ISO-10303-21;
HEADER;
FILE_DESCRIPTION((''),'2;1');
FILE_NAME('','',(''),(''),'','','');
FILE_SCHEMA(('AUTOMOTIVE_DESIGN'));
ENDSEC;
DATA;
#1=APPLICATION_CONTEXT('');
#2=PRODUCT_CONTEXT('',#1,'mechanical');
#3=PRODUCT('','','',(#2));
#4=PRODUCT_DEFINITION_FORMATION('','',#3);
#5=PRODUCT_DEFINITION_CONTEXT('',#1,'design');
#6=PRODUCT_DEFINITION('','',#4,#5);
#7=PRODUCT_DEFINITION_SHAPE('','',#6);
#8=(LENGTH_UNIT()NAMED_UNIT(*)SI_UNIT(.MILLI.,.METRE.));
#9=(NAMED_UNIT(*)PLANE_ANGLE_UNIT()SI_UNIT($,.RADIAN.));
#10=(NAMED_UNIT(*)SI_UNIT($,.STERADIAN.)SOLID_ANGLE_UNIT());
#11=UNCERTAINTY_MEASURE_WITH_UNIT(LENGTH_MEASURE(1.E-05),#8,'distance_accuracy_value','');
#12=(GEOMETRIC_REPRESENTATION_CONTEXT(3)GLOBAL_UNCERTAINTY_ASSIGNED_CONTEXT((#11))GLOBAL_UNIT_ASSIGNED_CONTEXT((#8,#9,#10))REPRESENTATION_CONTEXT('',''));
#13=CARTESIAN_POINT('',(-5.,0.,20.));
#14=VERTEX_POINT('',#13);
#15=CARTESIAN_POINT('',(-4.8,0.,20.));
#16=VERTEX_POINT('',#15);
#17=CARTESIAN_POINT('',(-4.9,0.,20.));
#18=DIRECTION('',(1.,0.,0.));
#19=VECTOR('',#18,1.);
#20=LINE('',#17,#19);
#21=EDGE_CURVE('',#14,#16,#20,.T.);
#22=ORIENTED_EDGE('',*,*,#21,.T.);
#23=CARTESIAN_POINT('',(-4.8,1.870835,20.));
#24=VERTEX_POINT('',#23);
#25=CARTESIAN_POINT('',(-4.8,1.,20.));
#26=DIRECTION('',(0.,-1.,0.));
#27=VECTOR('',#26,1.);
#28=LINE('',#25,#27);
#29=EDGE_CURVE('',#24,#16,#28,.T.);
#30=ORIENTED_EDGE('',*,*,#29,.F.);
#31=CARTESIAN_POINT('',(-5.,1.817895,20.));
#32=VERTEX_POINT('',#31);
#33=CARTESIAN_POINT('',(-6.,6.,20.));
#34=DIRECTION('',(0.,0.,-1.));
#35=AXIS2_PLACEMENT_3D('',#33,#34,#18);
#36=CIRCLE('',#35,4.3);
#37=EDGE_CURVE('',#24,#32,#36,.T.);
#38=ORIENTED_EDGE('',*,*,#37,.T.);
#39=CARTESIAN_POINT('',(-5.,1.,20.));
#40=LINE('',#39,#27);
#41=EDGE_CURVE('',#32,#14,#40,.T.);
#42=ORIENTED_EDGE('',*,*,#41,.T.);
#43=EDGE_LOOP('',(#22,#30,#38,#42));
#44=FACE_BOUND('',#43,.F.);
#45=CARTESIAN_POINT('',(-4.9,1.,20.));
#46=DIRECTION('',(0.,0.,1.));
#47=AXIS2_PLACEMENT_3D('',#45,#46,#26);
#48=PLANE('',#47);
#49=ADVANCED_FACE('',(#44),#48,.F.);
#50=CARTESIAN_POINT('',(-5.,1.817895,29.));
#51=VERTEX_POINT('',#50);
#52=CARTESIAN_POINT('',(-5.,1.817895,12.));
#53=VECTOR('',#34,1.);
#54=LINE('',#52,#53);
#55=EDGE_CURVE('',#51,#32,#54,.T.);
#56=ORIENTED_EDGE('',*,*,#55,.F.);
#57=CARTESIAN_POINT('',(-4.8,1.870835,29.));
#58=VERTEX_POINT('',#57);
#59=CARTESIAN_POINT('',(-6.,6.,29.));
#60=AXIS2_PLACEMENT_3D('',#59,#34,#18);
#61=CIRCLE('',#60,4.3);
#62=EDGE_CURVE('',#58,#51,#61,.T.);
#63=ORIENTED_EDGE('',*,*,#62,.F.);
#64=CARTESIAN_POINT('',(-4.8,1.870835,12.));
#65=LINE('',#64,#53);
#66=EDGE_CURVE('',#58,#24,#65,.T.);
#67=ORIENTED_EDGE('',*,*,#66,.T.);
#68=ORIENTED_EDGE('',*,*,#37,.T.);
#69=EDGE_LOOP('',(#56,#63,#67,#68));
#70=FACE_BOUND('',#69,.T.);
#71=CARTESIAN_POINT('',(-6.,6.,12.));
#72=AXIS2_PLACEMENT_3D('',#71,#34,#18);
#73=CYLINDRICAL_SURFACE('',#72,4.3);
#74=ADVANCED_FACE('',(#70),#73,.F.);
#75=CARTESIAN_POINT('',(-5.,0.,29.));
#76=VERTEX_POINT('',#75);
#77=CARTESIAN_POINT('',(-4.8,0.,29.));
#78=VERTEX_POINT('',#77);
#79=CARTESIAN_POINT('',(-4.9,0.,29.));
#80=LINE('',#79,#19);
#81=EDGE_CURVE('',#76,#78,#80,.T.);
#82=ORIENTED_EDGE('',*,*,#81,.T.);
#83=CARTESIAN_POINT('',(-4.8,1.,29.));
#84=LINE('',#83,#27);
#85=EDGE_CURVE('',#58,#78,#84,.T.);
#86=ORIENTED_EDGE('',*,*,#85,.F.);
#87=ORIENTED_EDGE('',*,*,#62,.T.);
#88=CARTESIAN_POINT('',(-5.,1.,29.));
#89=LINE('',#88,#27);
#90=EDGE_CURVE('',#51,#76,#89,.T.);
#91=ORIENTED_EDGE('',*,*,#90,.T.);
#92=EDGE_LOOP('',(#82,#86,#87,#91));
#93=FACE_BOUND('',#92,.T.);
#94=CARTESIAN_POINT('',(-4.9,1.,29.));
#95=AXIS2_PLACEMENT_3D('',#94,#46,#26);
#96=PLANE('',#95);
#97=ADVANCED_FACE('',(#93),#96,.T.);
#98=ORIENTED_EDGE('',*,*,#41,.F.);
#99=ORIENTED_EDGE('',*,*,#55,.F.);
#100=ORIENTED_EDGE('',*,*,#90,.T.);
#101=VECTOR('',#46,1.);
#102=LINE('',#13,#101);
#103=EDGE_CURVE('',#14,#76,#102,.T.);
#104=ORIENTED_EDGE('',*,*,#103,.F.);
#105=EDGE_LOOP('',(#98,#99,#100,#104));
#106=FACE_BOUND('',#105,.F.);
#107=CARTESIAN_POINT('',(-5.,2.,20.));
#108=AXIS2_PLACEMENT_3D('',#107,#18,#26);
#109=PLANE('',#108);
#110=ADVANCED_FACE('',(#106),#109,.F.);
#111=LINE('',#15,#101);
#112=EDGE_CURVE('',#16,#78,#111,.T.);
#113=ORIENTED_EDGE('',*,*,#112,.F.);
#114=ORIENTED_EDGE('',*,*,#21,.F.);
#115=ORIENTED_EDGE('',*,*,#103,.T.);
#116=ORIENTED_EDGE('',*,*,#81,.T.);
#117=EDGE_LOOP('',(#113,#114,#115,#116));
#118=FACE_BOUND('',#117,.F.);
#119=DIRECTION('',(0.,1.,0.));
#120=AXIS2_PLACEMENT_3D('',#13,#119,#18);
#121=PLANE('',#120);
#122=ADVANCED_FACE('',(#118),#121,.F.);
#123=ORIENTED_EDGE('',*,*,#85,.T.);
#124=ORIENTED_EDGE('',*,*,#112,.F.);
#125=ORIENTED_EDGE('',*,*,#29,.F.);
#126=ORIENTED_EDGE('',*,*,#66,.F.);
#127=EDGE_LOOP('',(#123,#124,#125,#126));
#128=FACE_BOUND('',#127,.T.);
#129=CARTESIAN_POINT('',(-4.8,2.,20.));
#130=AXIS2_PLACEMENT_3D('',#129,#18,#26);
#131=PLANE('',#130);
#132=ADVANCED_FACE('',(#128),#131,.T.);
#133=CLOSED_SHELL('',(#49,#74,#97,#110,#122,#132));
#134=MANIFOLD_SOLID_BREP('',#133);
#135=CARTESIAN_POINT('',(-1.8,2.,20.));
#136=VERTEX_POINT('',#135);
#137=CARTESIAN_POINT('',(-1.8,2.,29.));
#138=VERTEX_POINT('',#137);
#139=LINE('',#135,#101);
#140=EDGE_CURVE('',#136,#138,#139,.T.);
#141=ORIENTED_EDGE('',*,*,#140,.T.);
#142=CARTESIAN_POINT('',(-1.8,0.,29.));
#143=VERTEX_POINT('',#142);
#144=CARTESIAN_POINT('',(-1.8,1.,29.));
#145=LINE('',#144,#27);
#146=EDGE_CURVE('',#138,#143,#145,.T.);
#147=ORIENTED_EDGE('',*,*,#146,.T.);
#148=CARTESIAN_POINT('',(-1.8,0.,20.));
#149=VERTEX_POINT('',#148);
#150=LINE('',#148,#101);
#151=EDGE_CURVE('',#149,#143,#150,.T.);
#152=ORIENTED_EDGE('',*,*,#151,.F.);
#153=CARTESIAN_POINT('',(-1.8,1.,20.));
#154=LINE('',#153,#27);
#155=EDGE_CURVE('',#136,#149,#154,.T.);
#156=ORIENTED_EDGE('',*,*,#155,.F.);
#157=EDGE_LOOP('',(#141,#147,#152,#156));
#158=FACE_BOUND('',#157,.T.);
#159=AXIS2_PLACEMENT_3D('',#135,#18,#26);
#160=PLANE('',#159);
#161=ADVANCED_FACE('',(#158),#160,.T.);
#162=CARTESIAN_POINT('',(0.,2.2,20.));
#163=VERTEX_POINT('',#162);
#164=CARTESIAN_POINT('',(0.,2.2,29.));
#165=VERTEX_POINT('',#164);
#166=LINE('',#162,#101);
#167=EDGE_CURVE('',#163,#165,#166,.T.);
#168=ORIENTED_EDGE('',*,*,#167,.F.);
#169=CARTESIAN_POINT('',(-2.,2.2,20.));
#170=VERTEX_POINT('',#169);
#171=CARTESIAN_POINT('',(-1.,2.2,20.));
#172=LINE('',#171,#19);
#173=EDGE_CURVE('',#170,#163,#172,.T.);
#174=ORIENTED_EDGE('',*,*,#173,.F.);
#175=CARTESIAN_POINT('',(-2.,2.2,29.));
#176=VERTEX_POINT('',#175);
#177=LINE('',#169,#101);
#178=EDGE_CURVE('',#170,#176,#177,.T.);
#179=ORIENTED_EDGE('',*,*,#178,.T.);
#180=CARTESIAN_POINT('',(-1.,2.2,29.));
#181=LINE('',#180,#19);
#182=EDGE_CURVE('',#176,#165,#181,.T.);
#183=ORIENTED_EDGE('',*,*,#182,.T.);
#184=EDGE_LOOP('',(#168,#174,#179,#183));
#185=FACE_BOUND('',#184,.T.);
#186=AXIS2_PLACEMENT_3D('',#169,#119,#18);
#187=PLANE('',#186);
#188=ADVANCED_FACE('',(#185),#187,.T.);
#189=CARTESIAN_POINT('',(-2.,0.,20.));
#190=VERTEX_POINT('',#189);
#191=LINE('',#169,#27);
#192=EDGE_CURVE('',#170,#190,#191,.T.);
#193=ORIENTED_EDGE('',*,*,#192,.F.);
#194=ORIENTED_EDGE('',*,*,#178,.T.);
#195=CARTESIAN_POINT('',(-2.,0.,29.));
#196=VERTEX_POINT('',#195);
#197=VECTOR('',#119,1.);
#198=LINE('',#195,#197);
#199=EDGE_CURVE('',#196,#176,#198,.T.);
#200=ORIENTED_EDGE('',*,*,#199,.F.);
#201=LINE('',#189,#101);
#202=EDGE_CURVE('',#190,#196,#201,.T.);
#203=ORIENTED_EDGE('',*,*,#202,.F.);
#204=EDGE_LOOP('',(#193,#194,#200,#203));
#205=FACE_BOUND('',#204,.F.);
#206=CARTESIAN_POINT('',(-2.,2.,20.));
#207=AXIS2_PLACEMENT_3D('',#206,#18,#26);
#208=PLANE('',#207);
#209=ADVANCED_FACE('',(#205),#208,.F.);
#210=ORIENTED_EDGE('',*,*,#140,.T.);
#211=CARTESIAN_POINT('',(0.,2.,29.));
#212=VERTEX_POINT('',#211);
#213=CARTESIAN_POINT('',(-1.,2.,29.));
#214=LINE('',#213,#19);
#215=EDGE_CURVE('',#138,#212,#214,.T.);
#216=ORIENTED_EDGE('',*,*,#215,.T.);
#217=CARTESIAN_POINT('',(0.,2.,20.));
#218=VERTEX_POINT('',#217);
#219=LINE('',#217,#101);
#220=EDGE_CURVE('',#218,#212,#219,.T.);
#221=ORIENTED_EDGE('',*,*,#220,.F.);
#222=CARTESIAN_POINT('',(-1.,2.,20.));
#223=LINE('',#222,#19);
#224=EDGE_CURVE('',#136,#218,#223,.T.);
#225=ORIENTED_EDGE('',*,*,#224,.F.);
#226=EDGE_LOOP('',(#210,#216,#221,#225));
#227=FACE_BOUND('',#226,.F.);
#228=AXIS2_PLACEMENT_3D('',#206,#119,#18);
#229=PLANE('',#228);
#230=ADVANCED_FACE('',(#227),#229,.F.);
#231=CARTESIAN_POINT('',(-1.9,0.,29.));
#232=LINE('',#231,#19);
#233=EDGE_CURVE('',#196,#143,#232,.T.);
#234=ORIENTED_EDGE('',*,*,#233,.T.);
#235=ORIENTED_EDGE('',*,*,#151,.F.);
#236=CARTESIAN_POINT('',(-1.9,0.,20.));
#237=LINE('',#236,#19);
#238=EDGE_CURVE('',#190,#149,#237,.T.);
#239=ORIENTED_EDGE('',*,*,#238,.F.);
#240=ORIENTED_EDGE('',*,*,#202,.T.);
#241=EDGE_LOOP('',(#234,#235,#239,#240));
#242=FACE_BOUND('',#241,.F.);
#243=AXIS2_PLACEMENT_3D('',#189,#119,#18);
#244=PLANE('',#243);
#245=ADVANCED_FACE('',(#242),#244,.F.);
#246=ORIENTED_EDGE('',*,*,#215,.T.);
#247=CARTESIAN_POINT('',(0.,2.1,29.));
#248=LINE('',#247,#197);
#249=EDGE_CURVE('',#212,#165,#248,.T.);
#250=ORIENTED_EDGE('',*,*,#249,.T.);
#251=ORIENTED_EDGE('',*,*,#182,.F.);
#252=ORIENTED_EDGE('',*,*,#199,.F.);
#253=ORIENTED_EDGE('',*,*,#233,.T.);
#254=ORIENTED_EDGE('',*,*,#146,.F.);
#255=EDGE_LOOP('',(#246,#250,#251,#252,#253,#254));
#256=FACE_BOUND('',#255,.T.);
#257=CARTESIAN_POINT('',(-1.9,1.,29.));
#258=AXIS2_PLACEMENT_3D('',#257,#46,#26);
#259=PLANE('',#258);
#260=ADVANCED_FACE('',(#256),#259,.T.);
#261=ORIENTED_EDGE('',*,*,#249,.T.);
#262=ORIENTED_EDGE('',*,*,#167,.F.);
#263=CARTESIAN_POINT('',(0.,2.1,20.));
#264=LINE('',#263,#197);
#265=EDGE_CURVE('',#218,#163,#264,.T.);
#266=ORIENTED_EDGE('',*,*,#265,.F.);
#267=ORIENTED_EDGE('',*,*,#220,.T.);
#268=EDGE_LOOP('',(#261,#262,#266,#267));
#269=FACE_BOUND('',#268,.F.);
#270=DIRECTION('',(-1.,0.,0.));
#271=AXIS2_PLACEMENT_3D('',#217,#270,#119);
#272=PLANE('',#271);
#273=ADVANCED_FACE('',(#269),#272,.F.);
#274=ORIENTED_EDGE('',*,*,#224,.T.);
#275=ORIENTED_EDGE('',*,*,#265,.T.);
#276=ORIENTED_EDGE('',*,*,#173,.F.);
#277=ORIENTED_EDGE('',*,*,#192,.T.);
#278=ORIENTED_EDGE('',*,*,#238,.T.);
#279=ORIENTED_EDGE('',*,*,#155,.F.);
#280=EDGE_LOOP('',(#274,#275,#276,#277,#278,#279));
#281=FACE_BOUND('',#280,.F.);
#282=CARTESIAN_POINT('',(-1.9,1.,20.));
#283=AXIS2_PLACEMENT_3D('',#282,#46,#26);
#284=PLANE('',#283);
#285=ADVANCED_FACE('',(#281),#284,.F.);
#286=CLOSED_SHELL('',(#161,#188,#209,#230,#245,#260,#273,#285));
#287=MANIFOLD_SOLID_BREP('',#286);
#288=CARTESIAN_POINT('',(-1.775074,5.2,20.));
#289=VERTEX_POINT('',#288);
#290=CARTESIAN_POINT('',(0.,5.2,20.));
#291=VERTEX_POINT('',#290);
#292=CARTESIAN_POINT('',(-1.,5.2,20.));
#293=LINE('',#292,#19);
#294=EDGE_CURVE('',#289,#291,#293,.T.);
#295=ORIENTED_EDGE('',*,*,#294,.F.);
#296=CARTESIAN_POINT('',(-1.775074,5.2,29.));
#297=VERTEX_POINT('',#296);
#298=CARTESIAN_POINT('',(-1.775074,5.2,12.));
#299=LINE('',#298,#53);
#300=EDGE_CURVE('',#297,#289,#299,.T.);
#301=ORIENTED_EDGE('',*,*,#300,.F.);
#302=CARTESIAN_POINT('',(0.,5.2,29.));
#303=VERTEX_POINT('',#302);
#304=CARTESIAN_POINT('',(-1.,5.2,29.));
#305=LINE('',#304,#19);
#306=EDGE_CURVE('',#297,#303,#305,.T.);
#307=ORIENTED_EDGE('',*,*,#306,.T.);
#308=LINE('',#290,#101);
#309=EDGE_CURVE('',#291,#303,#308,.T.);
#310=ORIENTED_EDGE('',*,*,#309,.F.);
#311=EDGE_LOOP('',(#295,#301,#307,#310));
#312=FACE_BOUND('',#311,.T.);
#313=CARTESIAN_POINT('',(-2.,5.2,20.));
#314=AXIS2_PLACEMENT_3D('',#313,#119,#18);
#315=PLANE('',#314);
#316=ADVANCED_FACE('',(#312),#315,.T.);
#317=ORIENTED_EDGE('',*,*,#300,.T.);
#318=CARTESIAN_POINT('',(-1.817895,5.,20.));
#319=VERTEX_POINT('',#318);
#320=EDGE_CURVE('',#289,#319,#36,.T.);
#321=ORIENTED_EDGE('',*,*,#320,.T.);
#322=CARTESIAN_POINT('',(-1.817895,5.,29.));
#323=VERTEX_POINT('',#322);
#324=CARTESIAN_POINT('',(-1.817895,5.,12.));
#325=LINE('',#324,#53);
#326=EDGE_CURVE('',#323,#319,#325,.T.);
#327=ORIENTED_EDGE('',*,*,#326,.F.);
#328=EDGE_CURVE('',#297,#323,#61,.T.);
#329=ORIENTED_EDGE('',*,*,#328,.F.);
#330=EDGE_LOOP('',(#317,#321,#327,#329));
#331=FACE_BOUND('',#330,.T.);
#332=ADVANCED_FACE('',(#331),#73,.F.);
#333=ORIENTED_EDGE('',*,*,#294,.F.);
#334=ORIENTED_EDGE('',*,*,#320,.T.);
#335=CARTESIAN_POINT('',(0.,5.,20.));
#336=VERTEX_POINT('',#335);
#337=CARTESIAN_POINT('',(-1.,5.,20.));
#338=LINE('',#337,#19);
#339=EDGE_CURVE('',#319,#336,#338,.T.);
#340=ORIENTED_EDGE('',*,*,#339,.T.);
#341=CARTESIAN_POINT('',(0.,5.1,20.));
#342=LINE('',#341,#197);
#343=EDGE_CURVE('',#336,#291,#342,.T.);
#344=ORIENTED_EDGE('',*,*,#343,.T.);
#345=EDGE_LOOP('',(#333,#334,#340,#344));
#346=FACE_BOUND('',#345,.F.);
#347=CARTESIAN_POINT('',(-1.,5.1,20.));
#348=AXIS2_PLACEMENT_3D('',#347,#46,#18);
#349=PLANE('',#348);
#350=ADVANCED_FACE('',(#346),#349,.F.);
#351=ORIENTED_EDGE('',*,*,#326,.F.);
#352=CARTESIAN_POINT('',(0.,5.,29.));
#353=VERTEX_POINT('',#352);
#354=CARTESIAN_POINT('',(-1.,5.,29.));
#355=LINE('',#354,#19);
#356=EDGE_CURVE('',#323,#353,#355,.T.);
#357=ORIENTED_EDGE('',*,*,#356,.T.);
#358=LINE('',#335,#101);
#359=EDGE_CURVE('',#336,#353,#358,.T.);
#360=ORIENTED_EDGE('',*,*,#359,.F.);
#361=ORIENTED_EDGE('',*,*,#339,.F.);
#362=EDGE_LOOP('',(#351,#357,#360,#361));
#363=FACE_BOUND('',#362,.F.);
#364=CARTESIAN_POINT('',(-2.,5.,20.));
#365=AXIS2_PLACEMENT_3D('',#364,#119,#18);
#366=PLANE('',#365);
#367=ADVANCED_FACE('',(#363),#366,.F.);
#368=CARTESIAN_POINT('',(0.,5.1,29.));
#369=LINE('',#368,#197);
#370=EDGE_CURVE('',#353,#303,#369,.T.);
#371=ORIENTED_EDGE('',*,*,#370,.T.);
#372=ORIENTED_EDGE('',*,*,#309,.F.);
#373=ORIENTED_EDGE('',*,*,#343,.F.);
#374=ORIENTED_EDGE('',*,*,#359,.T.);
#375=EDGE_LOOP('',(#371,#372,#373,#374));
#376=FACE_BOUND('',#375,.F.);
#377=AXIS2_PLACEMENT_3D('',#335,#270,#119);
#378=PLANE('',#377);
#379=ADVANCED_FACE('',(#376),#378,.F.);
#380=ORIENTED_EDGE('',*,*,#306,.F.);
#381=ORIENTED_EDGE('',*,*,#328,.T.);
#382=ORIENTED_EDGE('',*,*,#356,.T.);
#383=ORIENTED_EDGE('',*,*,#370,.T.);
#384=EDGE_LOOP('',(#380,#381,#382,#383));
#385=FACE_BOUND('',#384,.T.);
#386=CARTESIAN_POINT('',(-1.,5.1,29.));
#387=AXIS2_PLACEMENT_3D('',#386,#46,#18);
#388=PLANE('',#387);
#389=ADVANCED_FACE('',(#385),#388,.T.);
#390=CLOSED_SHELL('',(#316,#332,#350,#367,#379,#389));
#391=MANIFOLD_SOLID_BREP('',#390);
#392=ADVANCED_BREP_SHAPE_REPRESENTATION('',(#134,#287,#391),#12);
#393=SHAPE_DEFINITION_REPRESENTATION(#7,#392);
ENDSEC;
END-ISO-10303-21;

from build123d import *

# Parameters (mm, degrees)
CYLINDER003_R     = 4.3
CYLINDER003_DEPTH = 20
BOX010_W          = 2
BOX010_H          = 0.2
BOX010_DEPTH      = 9
BOX009_W          = 2
BOX009_H          = 0.2
BOX009_DEPTH      = 9
BOX011_W          = 2
BOX011_H          = 0.2
BOX011_DEPTH      = 9
BOX008_W          = 2
BOX008_H          = 0.2
BOX008_DEPTH      = 9


with BuildPart() as cylinder003:
    # Cylinder003 → Cylinder003 (new body)
    with BuildSketch(Plane(origin=(-6, 6, 12), x_dir=(1, 0, 0), z_dir=(0, 0, 1))):
        Circle(CYLINDER003_R)
    extrude(amount=CYLINDER003_DEPTH)


with BuildPart() as cube010:
    # Box010 → Box010 (new body)
    with BuildSketch(Plane(origin=(-2, 2, 20), x_dir=(0, -1, 0), z_dir=(0, 0, 1))):
        with Locations((1, 0.1)):
            Rectangle(BOX010_W, BOX010_H)
    extrude(amount=BOX010_DEPTH)


with BuildPart() as cube009:
    # Box009 → Box009 (new body)
    with BuildSketch(Plane(origin=(-2, 5, 20), x_dir=(1, 0, 0), z_dir=(0, 0, 1))):
        with Locations((1, 0.1)):
            Rectangle(BOX009_W, BOX009_H)
    extrude(amount=BOX009_DEPTH)


with BuildPart() as cube011:
    # Box011 → Box011 (new body)
    with BuildSketch(Plane(origin=(-5, 2, 20), x_dir=(0, -1, 0), z_dir=(0, 0, 1))):
        with Locations((1, 0.1)):
            Rectangle(BOX011_W, BOX011_H)
    extrude(amount=BOX011_DEPTH)


with BuildPart() as cut004:
    # Box008 → Box008 (new body)
    with BuildSketch(Plane(origin=(-2, 2, 20), x_dir=(1, 0, 0), z_dir=(0, 0, 1))):
        with Locations((1, 0.1)):
            Rectangle(BOX008_W, BOX008_H)
    extrude(amount=BOX008_DEPTH)

    # Fusion003: union Cube010, Cube009, Cube011
    add(cube010.part)
    add(cube009.part)
    add(cube011.part)

    # Cut004: cut Cylinder003
    add(cylinder003.part, mode=Mode.SUBTRACT)


solid = cut004.part
